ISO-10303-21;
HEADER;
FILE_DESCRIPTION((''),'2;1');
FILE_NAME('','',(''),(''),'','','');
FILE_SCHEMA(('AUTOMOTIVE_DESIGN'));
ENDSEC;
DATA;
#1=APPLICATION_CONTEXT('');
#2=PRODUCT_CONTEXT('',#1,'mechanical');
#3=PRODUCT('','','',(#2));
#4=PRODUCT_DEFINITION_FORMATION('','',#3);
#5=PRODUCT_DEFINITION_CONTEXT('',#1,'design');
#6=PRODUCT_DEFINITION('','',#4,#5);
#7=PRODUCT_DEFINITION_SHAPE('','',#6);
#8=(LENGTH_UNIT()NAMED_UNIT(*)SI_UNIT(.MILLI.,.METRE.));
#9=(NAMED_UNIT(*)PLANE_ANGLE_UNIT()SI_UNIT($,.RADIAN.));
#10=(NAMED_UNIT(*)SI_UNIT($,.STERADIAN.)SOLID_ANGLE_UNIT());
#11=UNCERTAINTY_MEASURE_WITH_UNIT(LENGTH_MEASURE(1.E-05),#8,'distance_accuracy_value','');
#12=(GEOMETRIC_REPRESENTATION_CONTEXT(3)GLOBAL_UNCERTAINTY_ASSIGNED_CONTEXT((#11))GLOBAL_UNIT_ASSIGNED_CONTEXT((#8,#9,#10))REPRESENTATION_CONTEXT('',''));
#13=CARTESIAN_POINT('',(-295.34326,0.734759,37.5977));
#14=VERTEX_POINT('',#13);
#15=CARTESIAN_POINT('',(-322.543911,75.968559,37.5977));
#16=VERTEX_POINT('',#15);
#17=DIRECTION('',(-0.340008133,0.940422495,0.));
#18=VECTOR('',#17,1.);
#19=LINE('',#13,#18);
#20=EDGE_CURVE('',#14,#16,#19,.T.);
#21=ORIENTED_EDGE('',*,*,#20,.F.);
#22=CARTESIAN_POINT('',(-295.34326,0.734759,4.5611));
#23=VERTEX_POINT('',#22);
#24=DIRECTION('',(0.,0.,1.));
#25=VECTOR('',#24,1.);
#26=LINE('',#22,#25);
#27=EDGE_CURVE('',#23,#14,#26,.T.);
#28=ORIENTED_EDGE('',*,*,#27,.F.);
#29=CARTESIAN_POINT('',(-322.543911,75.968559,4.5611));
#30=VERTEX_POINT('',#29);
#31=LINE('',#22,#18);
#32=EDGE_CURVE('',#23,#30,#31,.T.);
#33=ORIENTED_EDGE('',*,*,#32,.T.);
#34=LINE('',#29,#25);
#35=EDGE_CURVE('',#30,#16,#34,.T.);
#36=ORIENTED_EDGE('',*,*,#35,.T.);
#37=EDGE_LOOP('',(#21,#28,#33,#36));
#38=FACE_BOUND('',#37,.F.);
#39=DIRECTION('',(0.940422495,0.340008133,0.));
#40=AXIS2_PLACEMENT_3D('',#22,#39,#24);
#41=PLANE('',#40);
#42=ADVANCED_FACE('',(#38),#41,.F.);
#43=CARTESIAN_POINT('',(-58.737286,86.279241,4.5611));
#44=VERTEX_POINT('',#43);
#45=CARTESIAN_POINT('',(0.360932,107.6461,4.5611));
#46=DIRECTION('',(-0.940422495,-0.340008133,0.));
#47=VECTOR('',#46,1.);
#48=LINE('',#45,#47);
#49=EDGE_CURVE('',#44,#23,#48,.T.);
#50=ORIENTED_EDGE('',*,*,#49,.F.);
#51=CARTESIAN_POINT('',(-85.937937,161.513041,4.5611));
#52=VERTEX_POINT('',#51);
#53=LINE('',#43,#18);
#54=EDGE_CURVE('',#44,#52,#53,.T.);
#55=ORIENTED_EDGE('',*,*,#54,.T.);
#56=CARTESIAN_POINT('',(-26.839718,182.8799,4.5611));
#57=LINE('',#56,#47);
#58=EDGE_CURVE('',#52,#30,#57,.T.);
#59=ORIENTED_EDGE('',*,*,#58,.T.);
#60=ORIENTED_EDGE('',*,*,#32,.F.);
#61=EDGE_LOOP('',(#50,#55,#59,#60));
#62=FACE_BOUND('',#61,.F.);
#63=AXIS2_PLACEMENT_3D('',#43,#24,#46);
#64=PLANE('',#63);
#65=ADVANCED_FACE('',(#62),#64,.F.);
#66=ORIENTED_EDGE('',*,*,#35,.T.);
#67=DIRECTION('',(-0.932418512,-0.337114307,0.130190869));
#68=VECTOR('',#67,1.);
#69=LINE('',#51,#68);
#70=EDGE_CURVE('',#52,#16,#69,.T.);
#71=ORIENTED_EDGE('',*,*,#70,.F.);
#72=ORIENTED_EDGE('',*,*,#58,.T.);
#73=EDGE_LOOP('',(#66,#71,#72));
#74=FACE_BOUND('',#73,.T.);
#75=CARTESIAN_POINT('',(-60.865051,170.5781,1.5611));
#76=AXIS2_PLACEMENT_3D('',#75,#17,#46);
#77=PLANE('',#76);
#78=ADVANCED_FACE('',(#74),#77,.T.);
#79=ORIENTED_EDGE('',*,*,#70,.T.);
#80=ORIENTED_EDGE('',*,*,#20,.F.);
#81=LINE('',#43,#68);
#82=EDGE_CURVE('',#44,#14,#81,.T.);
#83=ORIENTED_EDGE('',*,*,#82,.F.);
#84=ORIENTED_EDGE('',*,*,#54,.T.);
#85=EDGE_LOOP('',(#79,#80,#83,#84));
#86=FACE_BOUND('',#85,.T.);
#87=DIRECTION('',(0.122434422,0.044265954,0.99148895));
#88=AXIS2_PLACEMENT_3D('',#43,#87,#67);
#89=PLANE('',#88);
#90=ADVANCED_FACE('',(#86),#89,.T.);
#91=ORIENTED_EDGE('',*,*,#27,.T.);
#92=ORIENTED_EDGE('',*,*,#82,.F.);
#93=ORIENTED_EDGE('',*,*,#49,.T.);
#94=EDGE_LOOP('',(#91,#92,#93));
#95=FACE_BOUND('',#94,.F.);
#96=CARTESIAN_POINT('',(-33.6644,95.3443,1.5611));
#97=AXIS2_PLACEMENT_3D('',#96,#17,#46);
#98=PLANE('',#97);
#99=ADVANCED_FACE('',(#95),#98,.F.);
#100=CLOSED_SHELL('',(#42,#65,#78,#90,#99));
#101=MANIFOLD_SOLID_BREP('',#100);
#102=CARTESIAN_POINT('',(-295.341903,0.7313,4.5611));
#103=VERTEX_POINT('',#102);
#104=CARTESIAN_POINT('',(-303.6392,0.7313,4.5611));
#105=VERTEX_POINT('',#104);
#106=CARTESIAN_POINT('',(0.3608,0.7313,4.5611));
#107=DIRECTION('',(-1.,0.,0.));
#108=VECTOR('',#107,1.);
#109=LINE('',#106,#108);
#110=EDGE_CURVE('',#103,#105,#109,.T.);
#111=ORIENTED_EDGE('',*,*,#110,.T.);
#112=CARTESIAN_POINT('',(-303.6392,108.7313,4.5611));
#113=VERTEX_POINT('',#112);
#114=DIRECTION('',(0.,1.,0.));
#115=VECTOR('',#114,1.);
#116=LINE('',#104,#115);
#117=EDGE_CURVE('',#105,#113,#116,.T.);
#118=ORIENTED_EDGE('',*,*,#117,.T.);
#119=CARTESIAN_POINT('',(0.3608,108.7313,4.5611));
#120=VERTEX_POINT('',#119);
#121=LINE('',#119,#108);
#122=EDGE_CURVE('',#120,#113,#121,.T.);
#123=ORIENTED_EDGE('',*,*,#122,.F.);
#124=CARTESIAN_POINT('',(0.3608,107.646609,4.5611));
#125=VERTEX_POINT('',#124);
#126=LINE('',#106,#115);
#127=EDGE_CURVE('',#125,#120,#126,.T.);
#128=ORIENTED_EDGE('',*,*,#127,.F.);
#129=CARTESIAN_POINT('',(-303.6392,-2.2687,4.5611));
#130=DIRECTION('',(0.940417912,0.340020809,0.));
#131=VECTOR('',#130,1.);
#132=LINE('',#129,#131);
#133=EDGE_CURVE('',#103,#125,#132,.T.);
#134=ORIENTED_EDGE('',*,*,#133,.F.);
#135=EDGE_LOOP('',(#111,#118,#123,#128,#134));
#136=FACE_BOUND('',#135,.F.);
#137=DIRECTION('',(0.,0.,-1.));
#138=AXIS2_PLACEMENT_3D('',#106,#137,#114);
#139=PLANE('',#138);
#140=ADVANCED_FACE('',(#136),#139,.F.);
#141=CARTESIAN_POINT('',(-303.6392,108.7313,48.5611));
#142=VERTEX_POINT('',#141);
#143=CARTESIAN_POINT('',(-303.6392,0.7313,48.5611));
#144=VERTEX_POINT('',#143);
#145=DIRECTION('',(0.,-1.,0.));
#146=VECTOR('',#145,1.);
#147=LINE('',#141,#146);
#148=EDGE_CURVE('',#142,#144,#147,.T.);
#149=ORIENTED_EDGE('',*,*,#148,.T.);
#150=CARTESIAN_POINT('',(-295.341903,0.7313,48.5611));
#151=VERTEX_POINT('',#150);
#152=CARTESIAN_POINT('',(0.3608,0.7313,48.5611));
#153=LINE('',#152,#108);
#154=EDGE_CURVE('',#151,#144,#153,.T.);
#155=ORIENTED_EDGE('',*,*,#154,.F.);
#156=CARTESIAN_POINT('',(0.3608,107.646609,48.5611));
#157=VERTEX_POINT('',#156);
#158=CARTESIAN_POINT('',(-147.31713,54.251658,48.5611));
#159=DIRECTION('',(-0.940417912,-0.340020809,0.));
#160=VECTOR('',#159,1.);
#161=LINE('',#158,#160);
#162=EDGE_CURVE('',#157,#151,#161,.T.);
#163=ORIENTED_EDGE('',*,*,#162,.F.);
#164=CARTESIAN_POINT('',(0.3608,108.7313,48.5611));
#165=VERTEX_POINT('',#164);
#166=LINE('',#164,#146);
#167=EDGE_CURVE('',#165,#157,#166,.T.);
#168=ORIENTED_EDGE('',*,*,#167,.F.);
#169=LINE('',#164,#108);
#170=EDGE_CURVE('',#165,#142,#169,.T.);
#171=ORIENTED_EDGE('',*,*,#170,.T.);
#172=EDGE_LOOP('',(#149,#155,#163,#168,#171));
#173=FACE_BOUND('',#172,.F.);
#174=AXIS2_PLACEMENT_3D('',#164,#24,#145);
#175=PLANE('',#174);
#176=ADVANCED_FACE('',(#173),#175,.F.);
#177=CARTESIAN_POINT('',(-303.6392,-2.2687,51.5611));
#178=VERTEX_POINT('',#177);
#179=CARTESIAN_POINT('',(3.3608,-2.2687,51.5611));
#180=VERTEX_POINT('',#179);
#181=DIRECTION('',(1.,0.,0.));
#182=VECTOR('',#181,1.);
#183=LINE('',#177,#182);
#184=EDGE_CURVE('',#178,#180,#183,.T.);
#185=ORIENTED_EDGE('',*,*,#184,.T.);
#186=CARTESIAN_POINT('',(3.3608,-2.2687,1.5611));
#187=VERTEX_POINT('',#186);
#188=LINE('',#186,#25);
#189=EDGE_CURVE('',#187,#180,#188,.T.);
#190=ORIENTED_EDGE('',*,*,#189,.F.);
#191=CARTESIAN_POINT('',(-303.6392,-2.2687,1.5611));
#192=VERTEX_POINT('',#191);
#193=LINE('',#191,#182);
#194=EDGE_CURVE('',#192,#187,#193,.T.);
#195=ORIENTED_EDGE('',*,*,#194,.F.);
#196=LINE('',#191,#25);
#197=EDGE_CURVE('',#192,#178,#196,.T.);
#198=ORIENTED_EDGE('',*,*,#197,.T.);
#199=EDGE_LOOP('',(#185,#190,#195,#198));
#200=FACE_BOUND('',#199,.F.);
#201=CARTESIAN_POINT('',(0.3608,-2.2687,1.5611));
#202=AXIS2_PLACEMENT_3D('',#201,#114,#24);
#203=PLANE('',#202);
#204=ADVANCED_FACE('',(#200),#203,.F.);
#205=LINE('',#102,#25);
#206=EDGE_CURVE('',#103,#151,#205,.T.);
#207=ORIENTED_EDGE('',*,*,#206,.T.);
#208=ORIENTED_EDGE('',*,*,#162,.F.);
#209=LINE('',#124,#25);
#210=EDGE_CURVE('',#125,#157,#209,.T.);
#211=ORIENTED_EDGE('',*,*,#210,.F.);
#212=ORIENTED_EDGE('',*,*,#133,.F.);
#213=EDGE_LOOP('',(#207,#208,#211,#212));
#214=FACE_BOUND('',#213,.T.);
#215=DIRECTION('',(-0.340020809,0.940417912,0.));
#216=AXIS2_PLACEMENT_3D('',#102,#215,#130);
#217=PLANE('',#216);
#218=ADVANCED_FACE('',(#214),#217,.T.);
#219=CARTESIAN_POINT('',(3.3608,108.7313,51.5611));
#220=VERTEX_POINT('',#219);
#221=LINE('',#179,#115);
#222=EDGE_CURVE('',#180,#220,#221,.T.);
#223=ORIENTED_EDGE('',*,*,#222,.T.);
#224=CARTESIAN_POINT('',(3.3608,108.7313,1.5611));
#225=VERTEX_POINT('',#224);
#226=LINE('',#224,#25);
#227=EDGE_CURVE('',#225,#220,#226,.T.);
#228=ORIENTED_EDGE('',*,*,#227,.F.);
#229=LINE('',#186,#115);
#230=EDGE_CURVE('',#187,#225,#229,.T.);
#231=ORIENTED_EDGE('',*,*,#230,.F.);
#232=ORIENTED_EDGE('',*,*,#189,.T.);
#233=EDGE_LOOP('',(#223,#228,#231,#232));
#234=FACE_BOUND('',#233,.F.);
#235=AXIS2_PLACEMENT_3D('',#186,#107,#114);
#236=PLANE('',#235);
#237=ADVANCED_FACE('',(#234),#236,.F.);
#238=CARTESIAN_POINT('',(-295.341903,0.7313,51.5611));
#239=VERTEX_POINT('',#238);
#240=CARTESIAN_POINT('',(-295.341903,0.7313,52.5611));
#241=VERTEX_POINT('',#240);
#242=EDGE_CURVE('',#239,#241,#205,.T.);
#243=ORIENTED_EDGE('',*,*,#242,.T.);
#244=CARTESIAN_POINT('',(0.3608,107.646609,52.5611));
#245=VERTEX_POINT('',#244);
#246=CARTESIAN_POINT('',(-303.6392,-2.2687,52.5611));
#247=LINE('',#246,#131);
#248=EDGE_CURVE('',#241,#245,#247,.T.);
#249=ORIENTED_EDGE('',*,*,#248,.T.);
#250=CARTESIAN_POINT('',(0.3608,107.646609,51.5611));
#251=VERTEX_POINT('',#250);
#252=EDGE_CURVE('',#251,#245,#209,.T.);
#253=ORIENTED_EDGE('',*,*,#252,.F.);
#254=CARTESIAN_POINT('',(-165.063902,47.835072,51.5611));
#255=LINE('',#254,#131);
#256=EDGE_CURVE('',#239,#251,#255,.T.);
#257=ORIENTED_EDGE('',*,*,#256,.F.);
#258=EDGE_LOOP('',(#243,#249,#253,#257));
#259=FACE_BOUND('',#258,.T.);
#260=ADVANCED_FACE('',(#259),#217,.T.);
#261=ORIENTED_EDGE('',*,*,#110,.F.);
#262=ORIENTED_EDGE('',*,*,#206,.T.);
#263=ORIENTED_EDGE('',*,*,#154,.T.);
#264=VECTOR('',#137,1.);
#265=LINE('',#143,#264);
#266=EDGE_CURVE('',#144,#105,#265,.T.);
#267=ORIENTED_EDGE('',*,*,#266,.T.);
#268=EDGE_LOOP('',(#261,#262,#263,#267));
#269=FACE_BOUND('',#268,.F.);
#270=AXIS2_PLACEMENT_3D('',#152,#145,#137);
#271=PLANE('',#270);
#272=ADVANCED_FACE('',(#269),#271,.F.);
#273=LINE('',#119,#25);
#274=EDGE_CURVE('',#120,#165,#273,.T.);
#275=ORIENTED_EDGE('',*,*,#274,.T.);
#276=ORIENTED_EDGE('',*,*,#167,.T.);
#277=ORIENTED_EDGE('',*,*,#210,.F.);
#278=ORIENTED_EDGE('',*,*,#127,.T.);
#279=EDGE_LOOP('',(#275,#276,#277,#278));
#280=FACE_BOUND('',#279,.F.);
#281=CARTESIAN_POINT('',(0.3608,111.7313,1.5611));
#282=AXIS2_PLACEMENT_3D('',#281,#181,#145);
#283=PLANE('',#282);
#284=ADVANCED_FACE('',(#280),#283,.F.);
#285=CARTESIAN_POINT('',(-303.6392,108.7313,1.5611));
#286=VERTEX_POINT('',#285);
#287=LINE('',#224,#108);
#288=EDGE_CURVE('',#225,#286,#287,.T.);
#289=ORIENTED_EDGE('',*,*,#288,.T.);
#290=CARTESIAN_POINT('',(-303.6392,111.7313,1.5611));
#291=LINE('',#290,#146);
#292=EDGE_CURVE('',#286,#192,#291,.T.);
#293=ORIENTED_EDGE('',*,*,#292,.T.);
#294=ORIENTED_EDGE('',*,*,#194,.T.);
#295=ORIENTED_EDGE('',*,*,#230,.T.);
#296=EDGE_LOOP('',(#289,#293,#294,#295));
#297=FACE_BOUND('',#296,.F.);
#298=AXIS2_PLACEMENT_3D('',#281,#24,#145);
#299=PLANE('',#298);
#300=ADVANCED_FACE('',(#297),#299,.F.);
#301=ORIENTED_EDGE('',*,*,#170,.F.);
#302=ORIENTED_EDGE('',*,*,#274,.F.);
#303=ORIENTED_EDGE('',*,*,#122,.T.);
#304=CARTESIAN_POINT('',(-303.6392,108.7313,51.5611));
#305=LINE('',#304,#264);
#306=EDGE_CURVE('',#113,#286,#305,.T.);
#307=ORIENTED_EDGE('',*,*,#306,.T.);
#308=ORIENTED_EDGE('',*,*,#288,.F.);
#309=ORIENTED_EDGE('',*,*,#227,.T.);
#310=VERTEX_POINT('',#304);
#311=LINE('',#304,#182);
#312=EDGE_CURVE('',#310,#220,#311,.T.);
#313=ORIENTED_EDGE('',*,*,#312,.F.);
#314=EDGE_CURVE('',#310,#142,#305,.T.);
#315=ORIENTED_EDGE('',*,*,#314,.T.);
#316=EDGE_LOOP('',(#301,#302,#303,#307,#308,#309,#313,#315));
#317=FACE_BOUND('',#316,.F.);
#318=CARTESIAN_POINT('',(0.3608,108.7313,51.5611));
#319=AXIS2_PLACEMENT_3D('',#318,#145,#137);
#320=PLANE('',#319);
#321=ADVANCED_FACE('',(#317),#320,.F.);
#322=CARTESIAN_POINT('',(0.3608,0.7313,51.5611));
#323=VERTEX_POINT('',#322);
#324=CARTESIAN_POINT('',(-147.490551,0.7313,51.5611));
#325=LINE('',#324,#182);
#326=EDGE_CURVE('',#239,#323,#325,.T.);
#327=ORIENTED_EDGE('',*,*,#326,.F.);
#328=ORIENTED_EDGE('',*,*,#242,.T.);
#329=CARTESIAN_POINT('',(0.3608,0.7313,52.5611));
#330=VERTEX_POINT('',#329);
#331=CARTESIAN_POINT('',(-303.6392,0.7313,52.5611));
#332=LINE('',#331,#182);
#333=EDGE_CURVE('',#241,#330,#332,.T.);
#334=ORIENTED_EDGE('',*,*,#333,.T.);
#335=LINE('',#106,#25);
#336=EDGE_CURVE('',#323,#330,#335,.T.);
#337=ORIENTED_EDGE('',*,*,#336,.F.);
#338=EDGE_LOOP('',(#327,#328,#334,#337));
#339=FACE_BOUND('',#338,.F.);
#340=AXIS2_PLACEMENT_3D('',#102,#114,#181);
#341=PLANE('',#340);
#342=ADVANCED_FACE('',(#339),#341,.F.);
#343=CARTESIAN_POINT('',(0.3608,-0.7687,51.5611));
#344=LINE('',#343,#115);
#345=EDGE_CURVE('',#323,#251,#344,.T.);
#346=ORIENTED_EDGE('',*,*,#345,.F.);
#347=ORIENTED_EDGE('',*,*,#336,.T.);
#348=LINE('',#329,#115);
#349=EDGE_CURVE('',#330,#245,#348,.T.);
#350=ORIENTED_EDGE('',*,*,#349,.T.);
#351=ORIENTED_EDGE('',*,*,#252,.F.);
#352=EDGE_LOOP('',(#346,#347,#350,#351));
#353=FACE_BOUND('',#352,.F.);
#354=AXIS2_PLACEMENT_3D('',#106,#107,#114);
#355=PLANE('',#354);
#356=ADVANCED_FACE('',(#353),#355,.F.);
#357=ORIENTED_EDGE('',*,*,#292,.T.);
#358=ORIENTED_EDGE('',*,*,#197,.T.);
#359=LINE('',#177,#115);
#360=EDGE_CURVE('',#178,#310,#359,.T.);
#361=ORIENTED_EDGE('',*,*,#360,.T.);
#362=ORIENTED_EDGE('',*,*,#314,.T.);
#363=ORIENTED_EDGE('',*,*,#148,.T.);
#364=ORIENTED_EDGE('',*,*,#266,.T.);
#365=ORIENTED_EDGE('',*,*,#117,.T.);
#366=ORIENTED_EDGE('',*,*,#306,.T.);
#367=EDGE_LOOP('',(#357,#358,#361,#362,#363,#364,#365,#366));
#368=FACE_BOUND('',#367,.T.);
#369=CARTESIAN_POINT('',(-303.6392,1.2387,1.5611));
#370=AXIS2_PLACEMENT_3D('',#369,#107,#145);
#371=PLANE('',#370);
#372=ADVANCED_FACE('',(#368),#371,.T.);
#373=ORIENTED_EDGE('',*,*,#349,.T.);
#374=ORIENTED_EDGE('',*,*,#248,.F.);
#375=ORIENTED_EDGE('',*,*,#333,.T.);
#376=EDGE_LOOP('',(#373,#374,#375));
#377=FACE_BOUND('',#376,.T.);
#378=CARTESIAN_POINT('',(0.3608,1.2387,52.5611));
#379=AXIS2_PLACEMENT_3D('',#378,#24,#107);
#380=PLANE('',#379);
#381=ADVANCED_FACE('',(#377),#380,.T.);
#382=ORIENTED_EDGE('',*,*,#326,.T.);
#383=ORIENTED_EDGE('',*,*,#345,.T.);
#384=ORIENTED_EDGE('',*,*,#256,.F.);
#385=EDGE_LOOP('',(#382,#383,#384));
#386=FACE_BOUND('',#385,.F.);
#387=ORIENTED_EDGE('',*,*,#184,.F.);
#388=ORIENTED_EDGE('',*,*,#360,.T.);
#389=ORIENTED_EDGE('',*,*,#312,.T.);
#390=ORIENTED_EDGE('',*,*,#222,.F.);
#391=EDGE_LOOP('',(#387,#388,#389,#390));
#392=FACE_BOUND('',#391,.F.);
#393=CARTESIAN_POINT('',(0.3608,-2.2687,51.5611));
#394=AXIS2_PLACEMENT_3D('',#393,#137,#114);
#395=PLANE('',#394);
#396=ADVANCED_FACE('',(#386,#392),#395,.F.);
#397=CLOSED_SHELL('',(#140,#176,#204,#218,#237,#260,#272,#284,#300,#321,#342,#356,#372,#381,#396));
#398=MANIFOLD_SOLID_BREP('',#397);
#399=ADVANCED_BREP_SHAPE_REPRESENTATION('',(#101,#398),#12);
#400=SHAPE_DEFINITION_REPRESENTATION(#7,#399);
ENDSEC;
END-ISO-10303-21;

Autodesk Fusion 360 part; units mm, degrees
sketch "Sketch3" plane through (0, 0, 0) normal (0, 0, 1) x (1, 0, 0) in component "Pill Holder "
  line L0 (0, -3.5074) -> (3, -3.5074)
  line L1 (3, -3.5074) -> (3, 110.4926)
  line L2 (3, 110.4926) -> (0, 110.4926)
  line L3 (0, 110.4926) -> (0, -3.5074)
  dimension "d20" = 114
  dimension "d21" = 3
extrude "Extrude6" add sketch "Sketch3" along normal blind 50 makes body 1 in component "Pill Holder "
sketch "Sketch4" plane through (0, 0, 0) normal (-1, 0, 0) x (0, -1, 0) in component "Pill Holder "
  line L0 (-110.4926, 0) -> (3.5074, 0)
  line L1 (3.5074, 0) -> (3.5074, 50)
  line L2 (3.5074, 50) -> (-110.4926, 50)
  line L3 (-110.4926, 50) -> (-110.4926, 0)
  line L4 (0.5074, 3) -> (-107.4926, 3)
  line L5 (-107.4926, 3) -> (-107.4926, 47)
  line L6 (-107.4926, 47) -> (0.5074, 47)
  line L7 (0.5074, 47) -> (0.5074, 3)
  dimension "d24" = 3
  dimension "d25" = 3
  dimension "d26" = 3
  dimension "d27" = 3
extrude "Extrude7" add sketch "Sketch4" along normal blind 304 bodies 1 in component "Pill Holder "
extrude "Extrude8" cut 1 faces at (-201.6667, 110.4926, 16.6667) along direction (0, -1, 0) blind 3 on bodies 1 bodies 1 in component "Pill Holder "
sketch "Sketch5" plane through (0, 0, 3) normal (0, 0, 1) x (-1, 0, 0) in component "Pill Holder "
  line L0 (0, 0.5074) -> (0, -107.4926)
  line L1 (0, -107.4926) -> (304, -107.4926)
  line L2 (304, -107.4926) -> (304, 0.5074)
  line L3 (304, 0.5074) -> (0, 0.5074)
  line L4 (-3, -107.4926) -> (304, -107.4926)
  line L5 (304, -107.4926) -> (304, 3.5074)
  line L6 (304, 3.5074) -> (-3, 3.5074)
  line L7 (-3, 3.5074) -> (-3, -107.4926)
  line L8 (0, -107.4926) -> (0, 0.5074)
  line L9 (0, 0.5074) -> (304, 0.5074)
  line L10 (304, 0.5074) -> (304, -107.4926)
  line L11 (304, -107.4926) -> (0, -107.4926)
  line L12 (304, 3.5074) -> (-3, -107.4926)
extrude "Extrude11" add sketch "Sketch5" along normal blind 48 contours L0 L3 L8 L9 L12 bodies 1 in component "Pill Holder "
sketch "Sketch6" plane through (-304, 0, 0) normal (-1, 0, 0) x (0, -1, 0) in component "Pill Holder "
  line L0 (-107.4926, 50) -> (-107.4926, 47)
  line L1 (-107.4926, 47) -> (0.5074, 47)
  line L2 (0.5074, 3) -> (-107.4926, 3)
  line L3 (-107.4926, 0) -> (3.5074, 0)
  line L4 (3.5074, 0) -> (3.5074, 50)
  line L5 (3.5074, 50) -> (-107.4926, 50)
  line L6 (3.5074, 9.4187) -> (-98.3183, 50)
  line L7 (0.5074, 47) -> (0.5074, 3)
  line L8 (-107.4926, 3) -> (-107.4926, 0)
sketch "Sketch7" plane through (-34.0252, 94.1056, 0) normal (-0.34, 0.9404, 0) x (-0.9404, -0.34, 0) in component "Pill Holder "
  line L0 (278.2567, 47) -> (-36.1809, 47)
  line L1 (-36.1809, 47) -> (-36.1809, 3)
  line L2 (-36.1809, 3) -> (278.2567, 3)
  line L3 (278.2567, 3) -> (278.2567, 47)
  line L4 (52.2027, 3) -> (278.2567, 38.5389)
sketch "Sketch8" plane through (0, 0, 3) normal (0, 0, 1) x (-1, 0, 0) in component "Pill Holder "
  line L0 (295.7027, 0.5074) -> (0, -106.4079)
  line L1 (0, -106.4079) -> (0, -107.4926)
  line L2 (0, -107.4926) -> (304, -107.4926)
  line L3 (304, -107.4926) -> (304, 0.5074)
  line L4 (304, 0.5074) -> (295.7027, 0.5074)
sketch "Sketch1" plane through (-34.0252, 94.1056, 0) normal (-0.34, 0.9404, 0) x (-0.9404, -0.34, 0) in component "wal"
  line L0 (278.2567, 47) -> (-36.1809, 47)
  line L1 (-36.1809, 47) -> (-36.1809, 3)
  line L2 (-36.1809, 3) -> (278.2567, 3)
  line L3 (278.2567, 3) -> (278.2567, 47)
  line L4 (26.6613, 3) -> (278.2567, 36.0366)
  dimension "d44" = 253.7551
extrude "Extrude1" add sketch "Sketch1" along normal blind 80 separate body contours L2 L3 L4 makes body 2 in component "wal"
component "Pill Holder " placed x (1, 0, 0) y (0, 1, 0) z (0, 0, 1) at (0.3608, 1.2387, 1.5611)
component "wal" placed x (1, 0, 0) y (0, 1, 0) z (0, 0, 1) at (0, 0, 0) in component "Pill Holder "
